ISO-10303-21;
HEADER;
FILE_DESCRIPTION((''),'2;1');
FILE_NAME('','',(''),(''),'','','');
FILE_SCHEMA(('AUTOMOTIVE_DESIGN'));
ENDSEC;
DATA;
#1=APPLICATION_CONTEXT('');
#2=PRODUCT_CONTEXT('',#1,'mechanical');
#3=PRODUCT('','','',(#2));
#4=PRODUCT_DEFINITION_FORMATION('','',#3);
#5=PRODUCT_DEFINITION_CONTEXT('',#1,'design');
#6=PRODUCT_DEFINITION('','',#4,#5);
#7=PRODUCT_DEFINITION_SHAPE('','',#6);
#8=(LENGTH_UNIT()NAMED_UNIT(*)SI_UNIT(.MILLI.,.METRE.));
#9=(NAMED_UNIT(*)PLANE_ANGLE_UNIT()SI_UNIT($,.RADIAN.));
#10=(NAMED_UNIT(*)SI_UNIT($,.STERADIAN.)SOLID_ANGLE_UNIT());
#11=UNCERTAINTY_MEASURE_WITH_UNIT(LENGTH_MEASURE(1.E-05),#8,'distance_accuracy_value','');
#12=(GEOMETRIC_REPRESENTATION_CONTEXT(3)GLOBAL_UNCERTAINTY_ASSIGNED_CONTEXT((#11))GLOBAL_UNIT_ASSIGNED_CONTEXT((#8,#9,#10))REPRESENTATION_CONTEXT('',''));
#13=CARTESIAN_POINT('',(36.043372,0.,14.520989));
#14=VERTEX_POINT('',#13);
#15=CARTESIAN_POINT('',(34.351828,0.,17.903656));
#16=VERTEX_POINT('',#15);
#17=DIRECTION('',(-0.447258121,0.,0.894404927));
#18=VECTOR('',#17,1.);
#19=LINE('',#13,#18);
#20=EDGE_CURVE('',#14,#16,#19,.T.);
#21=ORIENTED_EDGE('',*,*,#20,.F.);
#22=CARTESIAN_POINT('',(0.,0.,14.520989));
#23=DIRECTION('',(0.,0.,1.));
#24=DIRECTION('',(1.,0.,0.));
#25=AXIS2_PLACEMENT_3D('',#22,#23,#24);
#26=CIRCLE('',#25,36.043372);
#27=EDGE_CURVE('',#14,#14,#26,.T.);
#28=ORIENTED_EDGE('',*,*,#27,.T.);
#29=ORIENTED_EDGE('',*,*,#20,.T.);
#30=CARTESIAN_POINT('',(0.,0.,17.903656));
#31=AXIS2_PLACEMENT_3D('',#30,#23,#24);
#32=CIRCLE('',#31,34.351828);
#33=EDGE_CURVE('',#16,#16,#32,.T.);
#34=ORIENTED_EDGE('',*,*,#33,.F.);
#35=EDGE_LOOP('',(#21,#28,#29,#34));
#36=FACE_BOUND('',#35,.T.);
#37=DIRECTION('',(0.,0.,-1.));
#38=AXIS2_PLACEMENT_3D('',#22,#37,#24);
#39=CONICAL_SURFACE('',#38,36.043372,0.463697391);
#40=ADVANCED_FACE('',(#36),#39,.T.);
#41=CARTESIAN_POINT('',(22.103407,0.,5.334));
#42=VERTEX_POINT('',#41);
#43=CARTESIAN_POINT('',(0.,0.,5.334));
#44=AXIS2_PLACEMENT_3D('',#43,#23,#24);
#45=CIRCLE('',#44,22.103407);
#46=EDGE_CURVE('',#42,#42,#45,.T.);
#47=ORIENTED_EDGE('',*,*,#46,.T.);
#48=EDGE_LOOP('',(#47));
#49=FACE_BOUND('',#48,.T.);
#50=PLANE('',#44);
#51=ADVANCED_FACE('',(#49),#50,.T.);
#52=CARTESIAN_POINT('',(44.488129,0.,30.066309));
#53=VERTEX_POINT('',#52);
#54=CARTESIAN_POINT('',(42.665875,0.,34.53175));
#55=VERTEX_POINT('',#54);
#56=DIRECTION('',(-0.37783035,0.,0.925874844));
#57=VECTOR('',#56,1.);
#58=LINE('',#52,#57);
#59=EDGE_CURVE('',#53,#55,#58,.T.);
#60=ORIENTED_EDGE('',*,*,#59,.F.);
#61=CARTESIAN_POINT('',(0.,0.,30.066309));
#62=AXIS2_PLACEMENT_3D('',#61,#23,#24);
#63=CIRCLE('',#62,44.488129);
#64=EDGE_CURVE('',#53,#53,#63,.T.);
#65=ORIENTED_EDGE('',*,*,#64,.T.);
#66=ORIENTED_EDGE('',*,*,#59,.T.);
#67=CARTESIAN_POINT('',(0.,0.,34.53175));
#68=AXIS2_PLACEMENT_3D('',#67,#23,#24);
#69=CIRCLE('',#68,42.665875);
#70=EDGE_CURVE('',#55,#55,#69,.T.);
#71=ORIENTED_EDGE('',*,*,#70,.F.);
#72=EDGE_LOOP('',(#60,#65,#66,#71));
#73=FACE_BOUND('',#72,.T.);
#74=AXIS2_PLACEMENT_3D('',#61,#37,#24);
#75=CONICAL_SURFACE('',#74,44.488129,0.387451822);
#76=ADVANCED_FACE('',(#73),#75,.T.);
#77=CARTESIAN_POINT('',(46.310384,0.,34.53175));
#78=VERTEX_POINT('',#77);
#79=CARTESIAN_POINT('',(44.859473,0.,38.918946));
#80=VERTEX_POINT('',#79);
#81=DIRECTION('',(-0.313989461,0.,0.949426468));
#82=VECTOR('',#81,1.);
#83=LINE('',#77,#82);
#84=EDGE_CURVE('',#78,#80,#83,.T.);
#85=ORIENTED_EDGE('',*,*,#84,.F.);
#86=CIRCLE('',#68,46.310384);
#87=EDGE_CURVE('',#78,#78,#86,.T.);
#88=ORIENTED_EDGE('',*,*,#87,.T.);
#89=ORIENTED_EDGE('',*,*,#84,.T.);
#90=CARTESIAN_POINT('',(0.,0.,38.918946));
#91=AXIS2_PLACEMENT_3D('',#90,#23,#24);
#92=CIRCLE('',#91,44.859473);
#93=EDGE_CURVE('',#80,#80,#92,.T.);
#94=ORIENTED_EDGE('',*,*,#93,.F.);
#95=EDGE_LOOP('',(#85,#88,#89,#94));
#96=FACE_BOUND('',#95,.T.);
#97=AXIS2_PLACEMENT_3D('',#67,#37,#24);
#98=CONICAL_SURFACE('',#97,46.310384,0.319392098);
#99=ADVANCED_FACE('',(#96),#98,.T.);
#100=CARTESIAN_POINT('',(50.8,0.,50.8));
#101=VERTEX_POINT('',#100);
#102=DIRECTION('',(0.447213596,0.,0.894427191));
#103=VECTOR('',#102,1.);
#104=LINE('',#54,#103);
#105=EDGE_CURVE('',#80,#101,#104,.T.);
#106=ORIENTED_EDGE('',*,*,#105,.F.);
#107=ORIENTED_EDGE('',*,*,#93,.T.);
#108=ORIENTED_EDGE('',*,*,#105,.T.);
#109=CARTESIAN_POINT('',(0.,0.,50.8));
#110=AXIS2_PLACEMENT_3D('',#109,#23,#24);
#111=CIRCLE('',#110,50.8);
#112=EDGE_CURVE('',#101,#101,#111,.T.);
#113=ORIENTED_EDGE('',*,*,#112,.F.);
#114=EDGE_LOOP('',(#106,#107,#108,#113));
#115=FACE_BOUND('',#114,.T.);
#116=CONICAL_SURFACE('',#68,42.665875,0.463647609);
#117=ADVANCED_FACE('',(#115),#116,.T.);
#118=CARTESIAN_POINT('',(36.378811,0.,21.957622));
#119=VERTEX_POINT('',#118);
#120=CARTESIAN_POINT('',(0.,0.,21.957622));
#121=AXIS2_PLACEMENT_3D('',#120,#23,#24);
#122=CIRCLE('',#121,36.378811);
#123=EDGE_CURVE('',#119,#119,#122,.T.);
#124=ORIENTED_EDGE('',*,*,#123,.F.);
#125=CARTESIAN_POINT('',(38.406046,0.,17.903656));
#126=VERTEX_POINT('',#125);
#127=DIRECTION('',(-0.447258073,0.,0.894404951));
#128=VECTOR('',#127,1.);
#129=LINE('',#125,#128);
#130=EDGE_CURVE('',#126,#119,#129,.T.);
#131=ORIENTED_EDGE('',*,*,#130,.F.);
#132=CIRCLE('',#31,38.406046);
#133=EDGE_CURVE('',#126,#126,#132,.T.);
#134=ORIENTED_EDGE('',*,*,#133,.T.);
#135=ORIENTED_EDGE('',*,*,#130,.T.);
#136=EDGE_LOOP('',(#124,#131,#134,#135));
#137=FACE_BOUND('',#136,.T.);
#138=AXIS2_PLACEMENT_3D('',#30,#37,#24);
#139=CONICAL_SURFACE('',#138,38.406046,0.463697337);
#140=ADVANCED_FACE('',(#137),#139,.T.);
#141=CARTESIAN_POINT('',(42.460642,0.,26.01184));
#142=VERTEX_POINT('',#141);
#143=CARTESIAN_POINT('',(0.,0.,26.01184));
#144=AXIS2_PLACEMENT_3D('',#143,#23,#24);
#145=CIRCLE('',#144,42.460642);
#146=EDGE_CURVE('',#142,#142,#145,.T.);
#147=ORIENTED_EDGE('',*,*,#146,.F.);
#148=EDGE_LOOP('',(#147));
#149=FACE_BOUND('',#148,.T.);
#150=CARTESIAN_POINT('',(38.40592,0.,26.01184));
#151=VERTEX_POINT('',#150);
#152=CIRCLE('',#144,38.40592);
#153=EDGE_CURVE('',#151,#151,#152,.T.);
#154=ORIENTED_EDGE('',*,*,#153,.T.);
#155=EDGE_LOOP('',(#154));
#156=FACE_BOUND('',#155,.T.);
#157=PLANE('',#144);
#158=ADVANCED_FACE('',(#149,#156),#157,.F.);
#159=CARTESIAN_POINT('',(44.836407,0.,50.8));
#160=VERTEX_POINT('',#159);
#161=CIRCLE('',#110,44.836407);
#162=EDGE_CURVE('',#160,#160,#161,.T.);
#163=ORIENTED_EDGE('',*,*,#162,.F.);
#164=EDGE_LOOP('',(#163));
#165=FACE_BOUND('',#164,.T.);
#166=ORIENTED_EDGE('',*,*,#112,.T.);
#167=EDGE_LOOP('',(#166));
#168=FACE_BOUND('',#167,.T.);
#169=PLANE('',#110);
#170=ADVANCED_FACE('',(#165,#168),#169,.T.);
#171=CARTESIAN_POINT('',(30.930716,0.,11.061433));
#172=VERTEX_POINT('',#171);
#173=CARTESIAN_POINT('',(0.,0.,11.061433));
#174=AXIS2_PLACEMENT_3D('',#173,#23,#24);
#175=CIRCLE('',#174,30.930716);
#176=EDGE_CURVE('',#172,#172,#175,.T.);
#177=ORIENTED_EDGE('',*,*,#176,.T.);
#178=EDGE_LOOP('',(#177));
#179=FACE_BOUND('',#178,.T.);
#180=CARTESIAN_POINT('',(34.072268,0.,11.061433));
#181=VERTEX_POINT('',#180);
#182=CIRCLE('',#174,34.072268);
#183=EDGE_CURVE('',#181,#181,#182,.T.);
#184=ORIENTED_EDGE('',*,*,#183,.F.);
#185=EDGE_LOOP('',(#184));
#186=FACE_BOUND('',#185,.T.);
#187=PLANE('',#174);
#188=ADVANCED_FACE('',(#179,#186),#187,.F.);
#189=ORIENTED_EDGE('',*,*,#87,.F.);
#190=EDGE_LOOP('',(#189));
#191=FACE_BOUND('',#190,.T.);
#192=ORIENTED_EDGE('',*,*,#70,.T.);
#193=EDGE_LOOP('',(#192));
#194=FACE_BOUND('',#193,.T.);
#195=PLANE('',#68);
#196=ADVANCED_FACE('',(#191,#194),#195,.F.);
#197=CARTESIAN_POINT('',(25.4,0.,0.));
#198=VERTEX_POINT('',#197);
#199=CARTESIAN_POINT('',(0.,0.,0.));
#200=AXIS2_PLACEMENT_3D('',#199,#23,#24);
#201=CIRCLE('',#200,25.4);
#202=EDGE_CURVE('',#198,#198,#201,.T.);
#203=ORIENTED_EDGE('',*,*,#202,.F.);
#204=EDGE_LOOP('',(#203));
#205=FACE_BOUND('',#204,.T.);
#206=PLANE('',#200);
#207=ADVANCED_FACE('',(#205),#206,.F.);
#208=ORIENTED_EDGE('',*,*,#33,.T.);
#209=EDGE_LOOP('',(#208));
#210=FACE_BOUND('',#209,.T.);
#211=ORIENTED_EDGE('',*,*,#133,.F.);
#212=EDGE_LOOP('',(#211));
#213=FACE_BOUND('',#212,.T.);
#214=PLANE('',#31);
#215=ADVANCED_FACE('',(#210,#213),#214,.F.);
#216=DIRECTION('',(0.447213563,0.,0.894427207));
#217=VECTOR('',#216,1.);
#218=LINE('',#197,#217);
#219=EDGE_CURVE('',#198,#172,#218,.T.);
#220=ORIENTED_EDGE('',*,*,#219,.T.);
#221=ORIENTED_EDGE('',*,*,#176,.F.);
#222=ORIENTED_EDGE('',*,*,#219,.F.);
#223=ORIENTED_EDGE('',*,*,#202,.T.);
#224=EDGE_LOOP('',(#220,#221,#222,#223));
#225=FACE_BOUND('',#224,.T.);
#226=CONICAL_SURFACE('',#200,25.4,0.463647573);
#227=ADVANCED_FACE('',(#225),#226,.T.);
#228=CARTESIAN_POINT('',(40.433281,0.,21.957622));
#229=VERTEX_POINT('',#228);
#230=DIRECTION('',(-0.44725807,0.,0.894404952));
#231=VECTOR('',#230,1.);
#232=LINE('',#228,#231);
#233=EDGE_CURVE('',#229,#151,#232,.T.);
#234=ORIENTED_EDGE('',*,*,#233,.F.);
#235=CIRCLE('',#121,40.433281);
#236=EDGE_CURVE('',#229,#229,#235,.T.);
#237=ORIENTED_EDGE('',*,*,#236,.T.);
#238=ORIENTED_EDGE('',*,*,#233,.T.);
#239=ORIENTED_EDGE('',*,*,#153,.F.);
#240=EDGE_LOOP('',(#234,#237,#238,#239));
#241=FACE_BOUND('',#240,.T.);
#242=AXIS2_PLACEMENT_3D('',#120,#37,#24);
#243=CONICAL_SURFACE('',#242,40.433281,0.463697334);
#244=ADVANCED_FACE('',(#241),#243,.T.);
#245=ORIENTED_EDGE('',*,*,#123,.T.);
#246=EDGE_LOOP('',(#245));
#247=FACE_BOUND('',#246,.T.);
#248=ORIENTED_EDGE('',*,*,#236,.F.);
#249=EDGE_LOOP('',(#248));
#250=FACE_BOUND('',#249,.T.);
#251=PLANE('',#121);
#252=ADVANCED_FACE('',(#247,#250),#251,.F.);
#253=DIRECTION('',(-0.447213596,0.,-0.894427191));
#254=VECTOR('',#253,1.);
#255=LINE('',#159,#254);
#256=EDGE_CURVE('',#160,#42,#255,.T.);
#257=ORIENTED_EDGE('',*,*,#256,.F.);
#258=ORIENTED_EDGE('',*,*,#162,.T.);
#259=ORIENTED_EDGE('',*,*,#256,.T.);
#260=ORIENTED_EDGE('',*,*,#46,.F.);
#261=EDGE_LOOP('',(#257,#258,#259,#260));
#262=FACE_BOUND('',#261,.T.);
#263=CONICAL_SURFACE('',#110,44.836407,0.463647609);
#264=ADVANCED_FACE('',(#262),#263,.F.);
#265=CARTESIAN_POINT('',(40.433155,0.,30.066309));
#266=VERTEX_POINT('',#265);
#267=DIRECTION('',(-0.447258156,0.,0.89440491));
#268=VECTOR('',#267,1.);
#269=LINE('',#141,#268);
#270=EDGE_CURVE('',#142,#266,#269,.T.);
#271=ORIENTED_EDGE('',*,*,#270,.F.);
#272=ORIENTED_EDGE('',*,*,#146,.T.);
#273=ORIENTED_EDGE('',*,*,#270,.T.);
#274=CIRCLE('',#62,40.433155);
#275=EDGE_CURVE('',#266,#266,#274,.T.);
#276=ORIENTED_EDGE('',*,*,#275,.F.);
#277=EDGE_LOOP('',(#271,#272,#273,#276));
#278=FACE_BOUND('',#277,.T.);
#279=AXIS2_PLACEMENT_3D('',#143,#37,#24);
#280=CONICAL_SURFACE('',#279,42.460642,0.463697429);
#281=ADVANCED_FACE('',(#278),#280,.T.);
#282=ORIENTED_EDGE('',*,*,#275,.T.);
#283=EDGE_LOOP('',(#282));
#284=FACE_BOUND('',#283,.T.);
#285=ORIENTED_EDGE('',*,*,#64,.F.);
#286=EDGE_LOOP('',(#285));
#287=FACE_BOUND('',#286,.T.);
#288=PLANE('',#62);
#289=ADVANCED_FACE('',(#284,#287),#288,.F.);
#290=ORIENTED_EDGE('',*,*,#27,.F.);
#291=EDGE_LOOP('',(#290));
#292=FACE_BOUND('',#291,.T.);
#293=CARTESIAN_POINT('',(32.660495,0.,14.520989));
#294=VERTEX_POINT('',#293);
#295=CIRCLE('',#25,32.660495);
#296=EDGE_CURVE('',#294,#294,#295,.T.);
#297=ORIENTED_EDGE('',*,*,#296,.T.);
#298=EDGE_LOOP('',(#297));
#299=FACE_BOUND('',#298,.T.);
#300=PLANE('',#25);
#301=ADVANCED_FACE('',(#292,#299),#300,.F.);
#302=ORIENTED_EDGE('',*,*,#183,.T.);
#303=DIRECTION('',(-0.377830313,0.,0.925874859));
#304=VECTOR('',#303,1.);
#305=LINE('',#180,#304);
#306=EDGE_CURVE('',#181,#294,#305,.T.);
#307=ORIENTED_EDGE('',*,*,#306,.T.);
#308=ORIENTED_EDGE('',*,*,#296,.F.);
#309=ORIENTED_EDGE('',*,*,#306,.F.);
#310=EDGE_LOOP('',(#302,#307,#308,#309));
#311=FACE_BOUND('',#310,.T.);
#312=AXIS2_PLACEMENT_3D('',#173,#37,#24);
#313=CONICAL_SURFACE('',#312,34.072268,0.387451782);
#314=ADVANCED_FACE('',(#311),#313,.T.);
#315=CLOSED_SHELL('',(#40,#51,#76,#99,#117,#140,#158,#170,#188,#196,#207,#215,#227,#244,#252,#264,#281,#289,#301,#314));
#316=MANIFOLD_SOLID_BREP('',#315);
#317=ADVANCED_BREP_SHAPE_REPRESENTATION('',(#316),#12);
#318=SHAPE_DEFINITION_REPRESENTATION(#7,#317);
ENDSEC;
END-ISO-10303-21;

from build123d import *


with BuildPart() as f1:
    # F0 (on Front) → F1 (revolve)
    with BuildSketch(Plane.XZ):
        Polygon((0, 5.334), (0, 0), (25.4, 0), (30.930716, 11.061433), (32.660495, 14.520989), (34.351828, 17.903656), (36.378811, 21.957622), (38.40592, 26.01184), (40.433155, 30.066309), (42.665875, 34.53175), (44.859473, 38.918946), (50.8, 50.8), (44.836407, 50.8), (22.103407, 5.334), align=None)
        Polygon((32.660495, 14.520989), (30.930716, 11.061433), (34.072268, 11.061433), align=None)
        Polygon((34.351828, 17.903656), (32.660495, 14.520989), (36.043372, 14.520989), align=None)
        Polygon((36.378811, 21.957622), (34.351828, 17.903656), (38.406046, 17.903656), align=None)
        Polygon((46.310384, 34.53175), (44.859473, 38.918946), (42.665875, 34.53175), align=None)
        Polygon((38.40592, 26.01184), (36.378811, 21.957622), (40.433281, 21.957622), align=None)
        Polygon((44.488129, 30.066309), (42.665875, 34.53175), (40.433155, 30.066309), align=None)
        Polygon((40.433155, 30.066309), (38.40592, 26.01184), (42.460642, 26.01184), align=None)
    revolve(axis=Axis((0, 0, 25.4), (0, 0, 1)))


solid = f1.part
